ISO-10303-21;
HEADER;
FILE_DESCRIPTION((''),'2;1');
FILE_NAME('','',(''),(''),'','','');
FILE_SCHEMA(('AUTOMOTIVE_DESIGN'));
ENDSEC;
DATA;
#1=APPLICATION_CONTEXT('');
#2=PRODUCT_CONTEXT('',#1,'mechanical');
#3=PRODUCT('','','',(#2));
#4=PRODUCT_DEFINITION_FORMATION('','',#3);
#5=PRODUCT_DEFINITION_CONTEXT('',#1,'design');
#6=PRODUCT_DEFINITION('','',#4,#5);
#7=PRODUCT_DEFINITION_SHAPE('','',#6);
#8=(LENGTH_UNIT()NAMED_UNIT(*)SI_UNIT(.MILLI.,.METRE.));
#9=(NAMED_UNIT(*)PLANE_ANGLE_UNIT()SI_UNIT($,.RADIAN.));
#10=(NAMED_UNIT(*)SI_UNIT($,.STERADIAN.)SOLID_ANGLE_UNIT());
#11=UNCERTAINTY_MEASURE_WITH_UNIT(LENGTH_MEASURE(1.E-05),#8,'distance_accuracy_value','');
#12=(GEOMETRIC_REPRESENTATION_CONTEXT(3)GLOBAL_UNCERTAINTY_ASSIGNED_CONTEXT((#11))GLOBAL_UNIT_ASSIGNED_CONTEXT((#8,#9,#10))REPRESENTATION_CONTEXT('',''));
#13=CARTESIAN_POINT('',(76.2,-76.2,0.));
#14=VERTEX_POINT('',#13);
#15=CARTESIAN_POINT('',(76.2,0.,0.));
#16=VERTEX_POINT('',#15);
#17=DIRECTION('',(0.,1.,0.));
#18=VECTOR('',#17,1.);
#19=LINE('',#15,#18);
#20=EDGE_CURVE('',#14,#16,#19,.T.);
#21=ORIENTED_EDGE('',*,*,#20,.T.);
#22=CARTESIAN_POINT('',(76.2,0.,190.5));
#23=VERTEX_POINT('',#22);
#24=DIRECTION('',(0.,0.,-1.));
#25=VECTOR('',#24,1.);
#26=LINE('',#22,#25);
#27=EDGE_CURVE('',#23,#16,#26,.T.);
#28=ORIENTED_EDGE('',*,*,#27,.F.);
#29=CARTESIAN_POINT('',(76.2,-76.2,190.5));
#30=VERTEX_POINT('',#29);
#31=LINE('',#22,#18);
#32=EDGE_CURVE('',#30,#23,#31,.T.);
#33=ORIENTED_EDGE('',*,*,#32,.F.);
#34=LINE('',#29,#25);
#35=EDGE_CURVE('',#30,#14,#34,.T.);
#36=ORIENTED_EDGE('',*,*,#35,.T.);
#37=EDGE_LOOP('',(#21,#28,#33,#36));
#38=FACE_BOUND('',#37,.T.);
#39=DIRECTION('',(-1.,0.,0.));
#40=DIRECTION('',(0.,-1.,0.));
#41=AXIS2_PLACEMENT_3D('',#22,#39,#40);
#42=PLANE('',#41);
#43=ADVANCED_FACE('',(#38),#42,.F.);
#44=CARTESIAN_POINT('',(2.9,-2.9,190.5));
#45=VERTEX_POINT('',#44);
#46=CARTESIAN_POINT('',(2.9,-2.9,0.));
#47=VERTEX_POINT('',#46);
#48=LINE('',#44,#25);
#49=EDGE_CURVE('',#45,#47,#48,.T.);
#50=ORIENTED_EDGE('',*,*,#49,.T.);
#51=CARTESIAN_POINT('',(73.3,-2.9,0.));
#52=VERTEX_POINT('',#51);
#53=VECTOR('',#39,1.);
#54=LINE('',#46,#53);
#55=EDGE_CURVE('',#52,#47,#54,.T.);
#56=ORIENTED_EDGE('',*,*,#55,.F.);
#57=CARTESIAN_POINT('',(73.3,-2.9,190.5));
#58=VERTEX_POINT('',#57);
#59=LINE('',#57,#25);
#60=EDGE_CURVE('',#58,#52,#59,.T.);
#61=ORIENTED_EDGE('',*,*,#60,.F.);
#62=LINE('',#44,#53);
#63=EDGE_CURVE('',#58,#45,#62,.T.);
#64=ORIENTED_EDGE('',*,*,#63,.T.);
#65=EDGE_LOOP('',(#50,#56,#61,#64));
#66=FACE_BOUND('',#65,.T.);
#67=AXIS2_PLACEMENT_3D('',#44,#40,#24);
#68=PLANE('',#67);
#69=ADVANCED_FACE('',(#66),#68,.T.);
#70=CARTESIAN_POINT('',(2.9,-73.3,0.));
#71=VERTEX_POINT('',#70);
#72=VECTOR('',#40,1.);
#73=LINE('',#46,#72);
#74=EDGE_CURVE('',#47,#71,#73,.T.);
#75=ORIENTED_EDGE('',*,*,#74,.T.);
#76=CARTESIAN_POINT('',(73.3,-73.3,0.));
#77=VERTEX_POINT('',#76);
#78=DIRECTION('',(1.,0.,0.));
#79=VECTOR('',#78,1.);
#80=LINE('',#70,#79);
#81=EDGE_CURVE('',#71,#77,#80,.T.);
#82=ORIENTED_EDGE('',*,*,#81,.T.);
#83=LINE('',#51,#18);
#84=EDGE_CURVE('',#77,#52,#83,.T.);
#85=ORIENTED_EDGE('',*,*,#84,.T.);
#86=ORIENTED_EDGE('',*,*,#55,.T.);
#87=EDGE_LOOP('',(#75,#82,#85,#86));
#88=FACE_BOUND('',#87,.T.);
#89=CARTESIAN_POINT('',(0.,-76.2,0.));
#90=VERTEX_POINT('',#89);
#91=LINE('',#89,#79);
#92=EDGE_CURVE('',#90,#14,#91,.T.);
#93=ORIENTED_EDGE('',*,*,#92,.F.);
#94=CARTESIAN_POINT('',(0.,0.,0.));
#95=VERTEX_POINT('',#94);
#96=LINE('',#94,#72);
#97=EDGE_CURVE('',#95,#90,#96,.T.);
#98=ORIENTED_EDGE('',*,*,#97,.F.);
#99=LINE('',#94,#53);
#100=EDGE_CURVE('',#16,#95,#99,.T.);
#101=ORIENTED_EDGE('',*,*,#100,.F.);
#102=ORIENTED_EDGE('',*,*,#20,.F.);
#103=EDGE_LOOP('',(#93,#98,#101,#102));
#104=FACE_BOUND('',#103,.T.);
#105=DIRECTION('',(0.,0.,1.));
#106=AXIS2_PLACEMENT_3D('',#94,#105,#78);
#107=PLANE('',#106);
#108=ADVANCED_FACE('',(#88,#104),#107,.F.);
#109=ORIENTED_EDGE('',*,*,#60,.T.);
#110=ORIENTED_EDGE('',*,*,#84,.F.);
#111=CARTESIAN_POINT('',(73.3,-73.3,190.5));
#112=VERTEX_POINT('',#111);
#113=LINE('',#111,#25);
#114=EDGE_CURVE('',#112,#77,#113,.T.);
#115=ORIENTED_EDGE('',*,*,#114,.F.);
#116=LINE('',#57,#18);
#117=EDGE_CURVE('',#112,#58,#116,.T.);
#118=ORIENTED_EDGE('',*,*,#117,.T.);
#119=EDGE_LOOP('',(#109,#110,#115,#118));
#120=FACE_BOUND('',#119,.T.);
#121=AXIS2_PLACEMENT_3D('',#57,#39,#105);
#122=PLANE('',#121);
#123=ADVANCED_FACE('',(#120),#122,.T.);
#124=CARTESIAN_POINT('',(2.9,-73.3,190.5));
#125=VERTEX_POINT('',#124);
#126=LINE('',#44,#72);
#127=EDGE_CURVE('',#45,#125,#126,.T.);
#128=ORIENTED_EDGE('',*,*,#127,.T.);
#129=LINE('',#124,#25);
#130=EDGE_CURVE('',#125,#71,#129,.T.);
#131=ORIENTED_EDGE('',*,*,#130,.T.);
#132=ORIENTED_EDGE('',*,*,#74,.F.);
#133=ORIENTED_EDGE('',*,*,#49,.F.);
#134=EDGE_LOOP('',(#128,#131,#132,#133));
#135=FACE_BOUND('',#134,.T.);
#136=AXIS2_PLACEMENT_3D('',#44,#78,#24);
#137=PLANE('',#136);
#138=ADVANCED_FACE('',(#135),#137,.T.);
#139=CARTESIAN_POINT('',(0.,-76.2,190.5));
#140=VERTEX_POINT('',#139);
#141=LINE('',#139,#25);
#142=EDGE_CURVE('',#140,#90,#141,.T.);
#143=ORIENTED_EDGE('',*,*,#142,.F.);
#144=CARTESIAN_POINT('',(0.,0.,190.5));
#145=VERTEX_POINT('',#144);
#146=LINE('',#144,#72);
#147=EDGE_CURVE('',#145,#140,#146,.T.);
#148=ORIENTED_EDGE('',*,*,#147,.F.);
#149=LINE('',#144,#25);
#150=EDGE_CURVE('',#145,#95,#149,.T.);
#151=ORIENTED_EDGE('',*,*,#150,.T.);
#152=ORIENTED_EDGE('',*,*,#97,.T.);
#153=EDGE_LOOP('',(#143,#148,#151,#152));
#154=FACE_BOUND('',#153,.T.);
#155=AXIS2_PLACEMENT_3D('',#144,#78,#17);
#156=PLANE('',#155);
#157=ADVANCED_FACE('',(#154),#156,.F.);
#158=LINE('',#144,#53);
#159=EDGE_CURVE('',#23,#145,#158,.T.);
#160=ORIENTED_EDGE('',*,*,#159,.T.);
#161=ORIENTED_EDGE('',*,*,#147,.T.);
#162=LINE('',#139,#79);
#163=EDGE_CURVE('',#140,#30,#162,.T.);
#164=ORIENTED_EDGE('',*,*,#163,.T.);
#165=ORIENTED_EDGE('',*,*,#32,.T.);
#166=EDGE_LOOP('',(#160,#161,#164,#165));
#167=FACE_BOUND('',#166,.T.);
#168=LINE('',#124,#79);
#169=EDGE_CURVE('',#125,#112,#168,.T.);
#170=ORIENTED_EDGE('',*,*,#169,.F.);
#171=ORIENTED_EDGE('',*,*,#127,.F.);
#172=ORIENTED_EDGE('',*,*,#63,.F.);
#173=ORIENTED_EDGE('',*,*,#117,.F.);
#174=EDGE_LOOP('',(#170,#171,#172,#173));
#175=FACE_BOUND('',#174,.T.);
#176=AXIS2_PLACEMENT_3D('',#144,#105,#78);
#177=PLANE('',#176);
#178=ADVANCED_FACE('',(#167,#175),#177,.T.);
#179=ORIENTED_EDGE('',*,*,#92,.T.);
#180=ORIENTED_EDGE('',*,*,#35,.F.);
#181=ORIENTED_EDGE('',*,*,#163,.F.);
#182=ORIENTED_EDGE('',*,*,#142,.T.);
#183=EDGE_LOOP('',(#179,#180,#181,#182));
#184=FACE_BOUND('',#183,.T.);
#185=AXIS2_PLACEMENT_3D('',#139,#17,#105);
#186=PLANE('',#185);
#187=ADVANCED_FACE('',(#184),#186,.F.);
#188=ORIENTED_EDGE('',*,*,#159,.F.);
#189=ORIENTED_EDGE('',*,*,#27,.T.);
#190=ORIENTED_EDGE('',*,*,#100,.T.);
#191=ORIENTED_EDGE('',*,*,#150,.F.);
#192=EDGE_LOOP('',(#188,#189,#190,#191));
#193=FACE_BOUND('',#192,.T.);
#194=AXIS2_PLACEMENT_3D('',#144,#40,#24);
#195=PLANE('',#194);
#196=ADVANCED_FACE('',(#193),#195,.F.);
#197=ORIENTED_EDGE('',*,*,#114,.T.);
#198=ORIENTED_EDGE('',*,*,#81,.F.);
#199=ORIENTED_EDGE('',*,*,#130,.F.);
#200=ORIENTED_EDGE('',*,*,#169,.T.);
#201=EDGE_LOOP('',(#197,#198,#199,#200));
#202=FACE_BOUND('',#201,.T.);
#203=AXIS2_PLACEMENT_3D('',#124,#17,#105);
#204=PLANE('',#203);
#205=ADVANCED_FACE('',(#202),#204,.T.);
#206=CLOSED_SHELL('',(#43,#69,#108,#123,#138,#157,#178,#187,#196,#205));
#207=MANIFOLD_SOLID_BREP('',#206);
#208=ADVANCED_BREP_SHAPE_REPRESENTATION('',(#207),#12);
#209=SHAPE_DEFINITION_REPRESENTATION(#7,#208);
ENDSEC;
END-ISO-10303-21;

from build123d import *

# Parameters (mm, degrees)
CROQUIS1_W              = 76.2
CROQUIS1_H              = 76.2
CROQUIS1_W_2            = 70.4
CROQUIS1_H_2            = 70.4
SALIENTE_EXTRUIR1_DEPTH = 190.5


with BuildPart() as part:
    # Croquis1 → Saliente-Extruir1 (new body)
    with BuildSketch(Plane.XY):
        with Locations((38.1, -38.1)):
            Rectangle(CROQUIS1_W, CROQUIS1_H)
        with Locations((38.1, -38.1)):
            Rectangle(CROQUIS1_W_2, CROQUIS1_H_2, mode=Mode.SUBTRACT)
    extrude(amount=SALIENTE_EXTRUIR1_DEPTH)


solid = part.part
